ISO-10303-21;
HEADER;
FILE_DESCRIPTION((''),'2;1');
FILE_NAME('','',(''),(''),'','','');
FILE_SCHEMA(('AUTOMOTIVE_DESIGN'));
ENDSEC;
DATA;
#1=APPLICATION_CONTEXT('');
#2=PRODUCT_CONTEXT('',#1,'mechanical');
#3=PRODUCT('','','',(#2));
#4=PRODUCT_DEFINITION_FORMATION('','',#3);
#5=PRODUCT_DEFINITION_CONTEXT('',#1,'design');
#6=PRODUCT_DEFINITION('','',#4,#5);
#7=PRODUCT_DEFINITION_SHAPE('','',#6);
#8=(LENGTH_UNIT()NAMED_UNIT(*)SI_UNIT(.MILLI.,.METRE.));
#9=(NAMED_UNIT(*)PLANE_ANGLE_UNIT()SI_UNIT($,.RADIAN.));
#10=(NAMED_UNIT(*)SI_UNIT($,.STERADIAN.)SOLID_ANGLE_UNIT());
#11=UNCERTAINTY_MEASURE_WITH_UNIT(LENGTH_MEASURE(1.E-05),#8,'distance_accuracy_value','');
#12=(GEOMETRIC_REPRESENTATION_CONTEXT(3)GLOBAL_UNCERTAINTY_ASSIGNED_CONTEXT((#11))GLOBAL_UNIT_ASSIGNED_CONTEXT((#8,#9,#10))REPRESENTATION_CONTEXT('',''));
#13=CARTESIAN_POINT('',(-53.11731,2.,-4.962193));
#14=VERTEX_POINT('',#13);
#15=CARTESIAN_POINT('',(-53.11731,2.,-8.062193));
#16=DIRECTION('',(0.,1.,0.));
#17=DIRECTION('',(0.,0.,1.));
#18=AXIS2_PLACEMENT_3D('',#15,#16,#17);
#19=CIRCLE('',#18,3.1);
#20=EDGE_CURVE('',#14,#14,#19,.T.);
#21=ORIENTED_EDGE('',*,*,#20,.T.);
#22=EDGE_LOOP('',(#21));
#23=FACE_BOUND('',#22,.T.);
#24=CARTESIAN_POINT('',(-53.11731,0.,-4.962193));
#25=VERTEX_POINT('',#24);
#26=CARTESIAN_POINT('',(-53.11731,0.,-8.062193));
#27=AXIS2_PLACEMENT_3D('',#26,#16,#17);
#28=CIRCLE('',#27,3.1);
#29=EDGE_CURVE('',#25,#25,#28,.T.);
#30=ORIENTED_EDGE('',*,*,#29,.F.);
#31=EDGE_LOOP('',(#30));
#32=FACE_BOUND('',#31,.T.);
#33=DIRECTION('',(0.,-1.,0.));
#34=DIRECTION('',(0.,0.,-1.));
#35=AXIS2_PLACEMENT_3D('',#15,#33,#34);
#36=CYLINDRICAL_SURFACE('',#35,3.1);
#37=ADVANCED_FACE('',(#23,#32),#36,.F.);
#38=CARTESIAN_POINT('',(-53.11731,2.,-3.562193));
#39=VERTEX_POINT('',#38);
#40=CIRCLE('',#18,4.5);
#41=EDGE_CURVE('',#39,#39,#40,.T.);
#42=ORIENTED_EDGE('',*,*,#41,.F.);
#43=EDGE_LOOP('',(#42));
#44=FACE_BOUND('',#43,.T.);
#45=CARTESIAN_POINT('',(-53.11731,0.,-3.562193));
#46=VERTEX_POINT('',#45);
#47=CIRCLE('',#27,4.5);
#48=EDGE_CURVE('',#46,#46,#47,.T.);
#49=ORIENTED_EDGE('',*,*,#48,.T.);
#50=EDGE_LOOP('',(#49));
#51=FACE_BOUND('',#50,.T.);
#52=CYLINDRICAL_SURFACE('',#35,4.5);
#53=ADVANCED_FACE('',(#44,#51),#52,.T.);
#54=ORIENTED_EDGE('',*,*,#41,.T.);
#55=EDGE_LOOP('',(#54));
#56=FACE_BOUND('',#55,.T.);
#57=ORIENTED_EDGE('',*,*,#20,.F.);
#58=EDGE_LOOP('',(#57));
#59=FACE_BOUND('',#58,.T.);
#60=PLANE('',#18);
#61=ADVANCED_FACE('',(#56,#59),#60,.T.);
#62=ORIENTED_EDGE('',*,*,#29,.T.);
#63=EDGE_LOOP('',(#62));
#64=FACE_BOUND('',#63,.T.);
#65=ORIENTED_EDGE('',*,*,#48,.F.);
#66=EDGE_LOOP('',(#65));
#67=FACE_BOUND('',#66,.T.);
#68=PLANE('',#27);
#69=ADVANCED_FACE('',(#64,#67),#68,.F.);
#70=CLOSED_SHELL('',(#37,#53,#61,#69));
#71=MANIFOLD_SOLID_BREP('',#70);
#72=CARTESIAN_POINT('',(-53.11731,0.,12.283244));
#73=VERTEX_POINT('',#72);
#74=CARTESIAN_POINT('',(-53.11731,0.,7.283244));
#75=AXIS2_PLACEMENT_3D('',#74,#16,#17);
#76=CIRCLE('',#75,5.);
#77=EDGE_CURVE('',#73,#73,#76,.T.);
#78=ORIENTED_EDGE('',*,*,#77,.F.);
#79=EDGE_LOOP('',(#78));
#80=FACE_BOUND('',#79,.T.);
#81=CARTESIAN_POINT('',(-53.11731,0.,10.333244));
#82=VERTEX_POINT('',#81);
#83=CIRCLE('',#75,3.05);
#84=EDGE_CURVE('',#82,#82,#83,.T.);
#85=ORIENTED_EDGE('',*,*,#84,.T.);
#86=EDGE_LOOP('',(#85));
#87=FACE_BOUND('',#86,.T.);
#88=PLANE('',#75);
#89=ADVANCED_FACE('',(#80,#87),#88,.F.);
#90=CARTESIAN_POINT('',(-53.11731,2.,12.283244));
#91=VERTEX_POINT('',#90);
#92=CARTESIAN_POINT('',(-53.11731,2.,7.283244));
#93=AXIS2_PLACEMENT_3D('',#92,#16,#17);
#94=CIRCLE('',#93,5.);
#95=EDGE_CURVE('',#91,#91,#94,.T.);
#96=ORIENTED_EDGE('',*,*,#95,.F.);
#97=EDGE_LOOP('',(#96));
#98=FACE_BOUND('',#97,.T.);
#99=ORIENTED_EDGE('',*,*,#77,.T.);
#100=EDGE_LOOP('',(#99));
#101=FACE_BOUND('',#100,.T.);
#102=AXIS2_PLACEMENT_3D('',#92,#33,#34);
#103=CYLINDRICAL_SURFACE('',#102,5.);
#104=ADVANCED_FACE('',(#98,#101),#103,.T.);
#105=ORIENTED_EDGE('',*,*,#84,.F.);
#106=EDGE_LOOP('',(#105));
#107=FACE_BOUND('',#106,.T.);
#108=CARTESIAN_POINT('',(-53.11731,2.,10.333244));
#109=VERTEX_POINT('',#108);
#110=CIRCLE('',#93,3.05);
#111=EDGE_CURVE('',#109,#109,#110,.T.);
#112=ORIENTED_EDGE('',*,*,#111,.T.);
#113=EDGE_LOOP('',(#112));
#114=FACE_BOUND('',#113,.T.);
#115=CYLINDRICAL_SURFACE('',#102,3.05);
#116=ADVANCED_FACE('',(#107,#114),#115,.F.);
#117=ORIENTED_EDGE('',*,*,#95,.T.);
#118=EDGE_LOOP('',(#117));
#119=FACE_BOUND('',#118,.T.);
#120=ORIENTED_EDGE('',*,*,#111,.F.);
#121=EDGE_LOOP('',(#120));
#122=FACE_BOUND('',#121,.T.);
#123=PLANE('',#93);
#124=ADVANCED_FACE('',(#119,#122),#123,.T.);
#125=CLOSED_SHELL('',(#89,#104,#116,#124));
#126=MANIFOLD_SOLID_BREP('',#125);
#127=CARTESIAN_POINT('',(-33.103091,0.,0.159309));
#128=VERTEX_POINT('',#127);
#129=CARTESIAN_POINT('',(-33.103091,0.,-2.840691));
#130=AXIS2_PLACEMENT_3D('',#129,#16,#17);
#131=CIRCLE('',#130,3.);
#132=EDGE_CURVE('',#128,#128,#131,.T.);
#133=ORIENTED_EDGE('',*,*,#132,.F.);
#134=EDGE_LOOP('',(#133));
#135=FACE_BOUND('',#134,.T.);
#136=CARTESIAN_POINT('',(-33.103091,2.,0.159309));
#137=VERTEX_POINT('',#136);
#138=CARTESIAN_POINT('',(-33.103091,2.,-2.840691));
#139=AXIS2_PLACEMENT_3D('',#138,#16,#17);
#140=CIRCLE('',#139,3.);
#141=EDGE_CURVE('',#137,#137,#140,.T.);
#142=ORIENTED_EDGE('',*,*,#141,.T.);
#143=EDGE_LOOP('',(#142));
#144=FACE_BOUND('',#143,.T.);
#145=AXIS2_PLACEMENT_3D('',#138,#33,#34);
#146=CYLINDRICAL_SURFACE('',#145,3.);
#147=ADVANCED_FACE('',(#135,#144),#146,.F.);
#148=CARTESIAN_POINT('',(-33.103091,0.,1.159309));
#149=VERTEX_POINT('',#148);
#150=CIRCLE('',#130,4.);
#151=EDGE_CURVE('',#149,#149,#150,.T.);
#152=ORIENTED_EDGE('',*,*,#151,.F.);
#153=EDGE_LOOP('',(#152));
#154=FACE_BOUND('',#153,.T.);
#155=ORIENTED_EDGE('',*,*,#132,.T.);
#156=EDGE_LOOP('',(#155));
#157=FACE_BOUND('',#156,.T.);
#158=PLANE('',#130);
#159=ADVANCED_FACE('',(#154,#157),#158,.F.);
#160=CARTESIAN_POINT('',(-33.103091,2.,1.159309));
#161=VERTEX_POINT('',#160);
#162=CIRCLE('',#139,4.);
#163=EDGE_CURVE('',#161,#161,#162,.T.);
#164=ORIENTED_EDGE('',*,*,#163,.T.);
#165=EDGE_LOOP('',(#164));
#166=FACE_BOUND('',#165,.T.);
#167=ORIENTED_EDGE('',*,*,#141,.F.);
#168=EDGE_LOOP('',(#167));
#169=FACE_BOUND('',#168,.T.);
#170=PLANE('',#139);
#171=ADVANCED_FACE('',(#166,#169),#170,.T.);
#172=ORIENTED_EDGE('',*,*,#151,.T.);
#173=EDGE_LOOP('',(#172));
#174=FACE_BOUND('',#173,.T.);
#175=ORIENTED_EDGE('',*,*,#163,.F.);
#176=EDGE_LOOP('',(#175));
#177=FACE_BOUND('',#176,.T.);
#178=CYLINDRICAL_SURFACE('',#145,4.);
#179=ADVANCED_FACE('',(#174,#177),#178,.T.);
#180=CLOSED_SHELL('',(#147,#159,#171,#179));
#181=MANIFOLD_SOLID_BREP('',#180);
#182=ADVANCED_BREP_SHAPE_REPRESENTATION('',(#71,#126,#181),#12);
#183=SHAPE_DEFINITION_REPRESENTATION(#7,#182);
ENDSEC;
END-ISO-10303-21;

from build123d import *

# Parameters (mm, degrees)
SKETCH_1_R        = 4
SKETCH_1_R_2      = 3
EXTRUDE_1_DEPTH   = 2
SKETCH_1_R_3      = 4.5
SKETCH_1_R_4      = 3.1
EXTRUDE_1_2_DEPTH = 2
SKETCH_1_R_5      = 5
SKETCH_1_R_6      = 3.05
EXTRUDE_1_3_DEPTH = 2


with BuildPart() as part:
    # 草图1 → 凸台-拉伸1 (new body)
    with BuildSketch(Plane(origin=(0, 0, 0), x_dir=(1, 0, 0), z_dir=(0, 1, 0))):
        with Locations((-33.103091259, 2.840690579)):
            Circle(SKETCH_1_R)
        with Locations((-33.103091259, 2.840690579)):
            Circle(SKETCH_1_R_2, mode=Mode.SUBTRACT)
    extrude(amount=EXTRUDE_1_DEPTH)


with BuildPart() as body_2:
    # 草图1 → Extrude 1 2 (new body)
    with BuildSketch(Plane(origin=(0, 0, 0), x_dir=(1, 0, 0), z_dir=(0, 1, 0))):
        with Locations((-53.117309994, 8.062192842)):
            Circle(SKETCH_1_R_3)
        with Locations((-53.117309994, 8.062192842)):
            Circle(SKETCH_1_R_4, mode=Mode.SUBTRACT)
    extrude(amount=EXTRUDE_1_2_DEPTH)


with BuildPart() as body_3:
    # 草图1 → Extrude 1 3 (new body)
    with BuildSketch(Plane(origin=(0, 0, 0), x_dir=(1, 0, 0), z_dir=(0, 1, 0))):
        with Locations((-53.117309994, -7.283243837)):
            Circle(SKETCH_1_R_5)
        with Locations((-53.117309994, -7.283243837)):
            Circle(SKETCH_1_R_6, mode=Mode.SUBTRACT)
    extrude(amount=EXTRUDE_1_3_DEPTH)


solid = Compound([part.part, body_2.part, body_3.part])
